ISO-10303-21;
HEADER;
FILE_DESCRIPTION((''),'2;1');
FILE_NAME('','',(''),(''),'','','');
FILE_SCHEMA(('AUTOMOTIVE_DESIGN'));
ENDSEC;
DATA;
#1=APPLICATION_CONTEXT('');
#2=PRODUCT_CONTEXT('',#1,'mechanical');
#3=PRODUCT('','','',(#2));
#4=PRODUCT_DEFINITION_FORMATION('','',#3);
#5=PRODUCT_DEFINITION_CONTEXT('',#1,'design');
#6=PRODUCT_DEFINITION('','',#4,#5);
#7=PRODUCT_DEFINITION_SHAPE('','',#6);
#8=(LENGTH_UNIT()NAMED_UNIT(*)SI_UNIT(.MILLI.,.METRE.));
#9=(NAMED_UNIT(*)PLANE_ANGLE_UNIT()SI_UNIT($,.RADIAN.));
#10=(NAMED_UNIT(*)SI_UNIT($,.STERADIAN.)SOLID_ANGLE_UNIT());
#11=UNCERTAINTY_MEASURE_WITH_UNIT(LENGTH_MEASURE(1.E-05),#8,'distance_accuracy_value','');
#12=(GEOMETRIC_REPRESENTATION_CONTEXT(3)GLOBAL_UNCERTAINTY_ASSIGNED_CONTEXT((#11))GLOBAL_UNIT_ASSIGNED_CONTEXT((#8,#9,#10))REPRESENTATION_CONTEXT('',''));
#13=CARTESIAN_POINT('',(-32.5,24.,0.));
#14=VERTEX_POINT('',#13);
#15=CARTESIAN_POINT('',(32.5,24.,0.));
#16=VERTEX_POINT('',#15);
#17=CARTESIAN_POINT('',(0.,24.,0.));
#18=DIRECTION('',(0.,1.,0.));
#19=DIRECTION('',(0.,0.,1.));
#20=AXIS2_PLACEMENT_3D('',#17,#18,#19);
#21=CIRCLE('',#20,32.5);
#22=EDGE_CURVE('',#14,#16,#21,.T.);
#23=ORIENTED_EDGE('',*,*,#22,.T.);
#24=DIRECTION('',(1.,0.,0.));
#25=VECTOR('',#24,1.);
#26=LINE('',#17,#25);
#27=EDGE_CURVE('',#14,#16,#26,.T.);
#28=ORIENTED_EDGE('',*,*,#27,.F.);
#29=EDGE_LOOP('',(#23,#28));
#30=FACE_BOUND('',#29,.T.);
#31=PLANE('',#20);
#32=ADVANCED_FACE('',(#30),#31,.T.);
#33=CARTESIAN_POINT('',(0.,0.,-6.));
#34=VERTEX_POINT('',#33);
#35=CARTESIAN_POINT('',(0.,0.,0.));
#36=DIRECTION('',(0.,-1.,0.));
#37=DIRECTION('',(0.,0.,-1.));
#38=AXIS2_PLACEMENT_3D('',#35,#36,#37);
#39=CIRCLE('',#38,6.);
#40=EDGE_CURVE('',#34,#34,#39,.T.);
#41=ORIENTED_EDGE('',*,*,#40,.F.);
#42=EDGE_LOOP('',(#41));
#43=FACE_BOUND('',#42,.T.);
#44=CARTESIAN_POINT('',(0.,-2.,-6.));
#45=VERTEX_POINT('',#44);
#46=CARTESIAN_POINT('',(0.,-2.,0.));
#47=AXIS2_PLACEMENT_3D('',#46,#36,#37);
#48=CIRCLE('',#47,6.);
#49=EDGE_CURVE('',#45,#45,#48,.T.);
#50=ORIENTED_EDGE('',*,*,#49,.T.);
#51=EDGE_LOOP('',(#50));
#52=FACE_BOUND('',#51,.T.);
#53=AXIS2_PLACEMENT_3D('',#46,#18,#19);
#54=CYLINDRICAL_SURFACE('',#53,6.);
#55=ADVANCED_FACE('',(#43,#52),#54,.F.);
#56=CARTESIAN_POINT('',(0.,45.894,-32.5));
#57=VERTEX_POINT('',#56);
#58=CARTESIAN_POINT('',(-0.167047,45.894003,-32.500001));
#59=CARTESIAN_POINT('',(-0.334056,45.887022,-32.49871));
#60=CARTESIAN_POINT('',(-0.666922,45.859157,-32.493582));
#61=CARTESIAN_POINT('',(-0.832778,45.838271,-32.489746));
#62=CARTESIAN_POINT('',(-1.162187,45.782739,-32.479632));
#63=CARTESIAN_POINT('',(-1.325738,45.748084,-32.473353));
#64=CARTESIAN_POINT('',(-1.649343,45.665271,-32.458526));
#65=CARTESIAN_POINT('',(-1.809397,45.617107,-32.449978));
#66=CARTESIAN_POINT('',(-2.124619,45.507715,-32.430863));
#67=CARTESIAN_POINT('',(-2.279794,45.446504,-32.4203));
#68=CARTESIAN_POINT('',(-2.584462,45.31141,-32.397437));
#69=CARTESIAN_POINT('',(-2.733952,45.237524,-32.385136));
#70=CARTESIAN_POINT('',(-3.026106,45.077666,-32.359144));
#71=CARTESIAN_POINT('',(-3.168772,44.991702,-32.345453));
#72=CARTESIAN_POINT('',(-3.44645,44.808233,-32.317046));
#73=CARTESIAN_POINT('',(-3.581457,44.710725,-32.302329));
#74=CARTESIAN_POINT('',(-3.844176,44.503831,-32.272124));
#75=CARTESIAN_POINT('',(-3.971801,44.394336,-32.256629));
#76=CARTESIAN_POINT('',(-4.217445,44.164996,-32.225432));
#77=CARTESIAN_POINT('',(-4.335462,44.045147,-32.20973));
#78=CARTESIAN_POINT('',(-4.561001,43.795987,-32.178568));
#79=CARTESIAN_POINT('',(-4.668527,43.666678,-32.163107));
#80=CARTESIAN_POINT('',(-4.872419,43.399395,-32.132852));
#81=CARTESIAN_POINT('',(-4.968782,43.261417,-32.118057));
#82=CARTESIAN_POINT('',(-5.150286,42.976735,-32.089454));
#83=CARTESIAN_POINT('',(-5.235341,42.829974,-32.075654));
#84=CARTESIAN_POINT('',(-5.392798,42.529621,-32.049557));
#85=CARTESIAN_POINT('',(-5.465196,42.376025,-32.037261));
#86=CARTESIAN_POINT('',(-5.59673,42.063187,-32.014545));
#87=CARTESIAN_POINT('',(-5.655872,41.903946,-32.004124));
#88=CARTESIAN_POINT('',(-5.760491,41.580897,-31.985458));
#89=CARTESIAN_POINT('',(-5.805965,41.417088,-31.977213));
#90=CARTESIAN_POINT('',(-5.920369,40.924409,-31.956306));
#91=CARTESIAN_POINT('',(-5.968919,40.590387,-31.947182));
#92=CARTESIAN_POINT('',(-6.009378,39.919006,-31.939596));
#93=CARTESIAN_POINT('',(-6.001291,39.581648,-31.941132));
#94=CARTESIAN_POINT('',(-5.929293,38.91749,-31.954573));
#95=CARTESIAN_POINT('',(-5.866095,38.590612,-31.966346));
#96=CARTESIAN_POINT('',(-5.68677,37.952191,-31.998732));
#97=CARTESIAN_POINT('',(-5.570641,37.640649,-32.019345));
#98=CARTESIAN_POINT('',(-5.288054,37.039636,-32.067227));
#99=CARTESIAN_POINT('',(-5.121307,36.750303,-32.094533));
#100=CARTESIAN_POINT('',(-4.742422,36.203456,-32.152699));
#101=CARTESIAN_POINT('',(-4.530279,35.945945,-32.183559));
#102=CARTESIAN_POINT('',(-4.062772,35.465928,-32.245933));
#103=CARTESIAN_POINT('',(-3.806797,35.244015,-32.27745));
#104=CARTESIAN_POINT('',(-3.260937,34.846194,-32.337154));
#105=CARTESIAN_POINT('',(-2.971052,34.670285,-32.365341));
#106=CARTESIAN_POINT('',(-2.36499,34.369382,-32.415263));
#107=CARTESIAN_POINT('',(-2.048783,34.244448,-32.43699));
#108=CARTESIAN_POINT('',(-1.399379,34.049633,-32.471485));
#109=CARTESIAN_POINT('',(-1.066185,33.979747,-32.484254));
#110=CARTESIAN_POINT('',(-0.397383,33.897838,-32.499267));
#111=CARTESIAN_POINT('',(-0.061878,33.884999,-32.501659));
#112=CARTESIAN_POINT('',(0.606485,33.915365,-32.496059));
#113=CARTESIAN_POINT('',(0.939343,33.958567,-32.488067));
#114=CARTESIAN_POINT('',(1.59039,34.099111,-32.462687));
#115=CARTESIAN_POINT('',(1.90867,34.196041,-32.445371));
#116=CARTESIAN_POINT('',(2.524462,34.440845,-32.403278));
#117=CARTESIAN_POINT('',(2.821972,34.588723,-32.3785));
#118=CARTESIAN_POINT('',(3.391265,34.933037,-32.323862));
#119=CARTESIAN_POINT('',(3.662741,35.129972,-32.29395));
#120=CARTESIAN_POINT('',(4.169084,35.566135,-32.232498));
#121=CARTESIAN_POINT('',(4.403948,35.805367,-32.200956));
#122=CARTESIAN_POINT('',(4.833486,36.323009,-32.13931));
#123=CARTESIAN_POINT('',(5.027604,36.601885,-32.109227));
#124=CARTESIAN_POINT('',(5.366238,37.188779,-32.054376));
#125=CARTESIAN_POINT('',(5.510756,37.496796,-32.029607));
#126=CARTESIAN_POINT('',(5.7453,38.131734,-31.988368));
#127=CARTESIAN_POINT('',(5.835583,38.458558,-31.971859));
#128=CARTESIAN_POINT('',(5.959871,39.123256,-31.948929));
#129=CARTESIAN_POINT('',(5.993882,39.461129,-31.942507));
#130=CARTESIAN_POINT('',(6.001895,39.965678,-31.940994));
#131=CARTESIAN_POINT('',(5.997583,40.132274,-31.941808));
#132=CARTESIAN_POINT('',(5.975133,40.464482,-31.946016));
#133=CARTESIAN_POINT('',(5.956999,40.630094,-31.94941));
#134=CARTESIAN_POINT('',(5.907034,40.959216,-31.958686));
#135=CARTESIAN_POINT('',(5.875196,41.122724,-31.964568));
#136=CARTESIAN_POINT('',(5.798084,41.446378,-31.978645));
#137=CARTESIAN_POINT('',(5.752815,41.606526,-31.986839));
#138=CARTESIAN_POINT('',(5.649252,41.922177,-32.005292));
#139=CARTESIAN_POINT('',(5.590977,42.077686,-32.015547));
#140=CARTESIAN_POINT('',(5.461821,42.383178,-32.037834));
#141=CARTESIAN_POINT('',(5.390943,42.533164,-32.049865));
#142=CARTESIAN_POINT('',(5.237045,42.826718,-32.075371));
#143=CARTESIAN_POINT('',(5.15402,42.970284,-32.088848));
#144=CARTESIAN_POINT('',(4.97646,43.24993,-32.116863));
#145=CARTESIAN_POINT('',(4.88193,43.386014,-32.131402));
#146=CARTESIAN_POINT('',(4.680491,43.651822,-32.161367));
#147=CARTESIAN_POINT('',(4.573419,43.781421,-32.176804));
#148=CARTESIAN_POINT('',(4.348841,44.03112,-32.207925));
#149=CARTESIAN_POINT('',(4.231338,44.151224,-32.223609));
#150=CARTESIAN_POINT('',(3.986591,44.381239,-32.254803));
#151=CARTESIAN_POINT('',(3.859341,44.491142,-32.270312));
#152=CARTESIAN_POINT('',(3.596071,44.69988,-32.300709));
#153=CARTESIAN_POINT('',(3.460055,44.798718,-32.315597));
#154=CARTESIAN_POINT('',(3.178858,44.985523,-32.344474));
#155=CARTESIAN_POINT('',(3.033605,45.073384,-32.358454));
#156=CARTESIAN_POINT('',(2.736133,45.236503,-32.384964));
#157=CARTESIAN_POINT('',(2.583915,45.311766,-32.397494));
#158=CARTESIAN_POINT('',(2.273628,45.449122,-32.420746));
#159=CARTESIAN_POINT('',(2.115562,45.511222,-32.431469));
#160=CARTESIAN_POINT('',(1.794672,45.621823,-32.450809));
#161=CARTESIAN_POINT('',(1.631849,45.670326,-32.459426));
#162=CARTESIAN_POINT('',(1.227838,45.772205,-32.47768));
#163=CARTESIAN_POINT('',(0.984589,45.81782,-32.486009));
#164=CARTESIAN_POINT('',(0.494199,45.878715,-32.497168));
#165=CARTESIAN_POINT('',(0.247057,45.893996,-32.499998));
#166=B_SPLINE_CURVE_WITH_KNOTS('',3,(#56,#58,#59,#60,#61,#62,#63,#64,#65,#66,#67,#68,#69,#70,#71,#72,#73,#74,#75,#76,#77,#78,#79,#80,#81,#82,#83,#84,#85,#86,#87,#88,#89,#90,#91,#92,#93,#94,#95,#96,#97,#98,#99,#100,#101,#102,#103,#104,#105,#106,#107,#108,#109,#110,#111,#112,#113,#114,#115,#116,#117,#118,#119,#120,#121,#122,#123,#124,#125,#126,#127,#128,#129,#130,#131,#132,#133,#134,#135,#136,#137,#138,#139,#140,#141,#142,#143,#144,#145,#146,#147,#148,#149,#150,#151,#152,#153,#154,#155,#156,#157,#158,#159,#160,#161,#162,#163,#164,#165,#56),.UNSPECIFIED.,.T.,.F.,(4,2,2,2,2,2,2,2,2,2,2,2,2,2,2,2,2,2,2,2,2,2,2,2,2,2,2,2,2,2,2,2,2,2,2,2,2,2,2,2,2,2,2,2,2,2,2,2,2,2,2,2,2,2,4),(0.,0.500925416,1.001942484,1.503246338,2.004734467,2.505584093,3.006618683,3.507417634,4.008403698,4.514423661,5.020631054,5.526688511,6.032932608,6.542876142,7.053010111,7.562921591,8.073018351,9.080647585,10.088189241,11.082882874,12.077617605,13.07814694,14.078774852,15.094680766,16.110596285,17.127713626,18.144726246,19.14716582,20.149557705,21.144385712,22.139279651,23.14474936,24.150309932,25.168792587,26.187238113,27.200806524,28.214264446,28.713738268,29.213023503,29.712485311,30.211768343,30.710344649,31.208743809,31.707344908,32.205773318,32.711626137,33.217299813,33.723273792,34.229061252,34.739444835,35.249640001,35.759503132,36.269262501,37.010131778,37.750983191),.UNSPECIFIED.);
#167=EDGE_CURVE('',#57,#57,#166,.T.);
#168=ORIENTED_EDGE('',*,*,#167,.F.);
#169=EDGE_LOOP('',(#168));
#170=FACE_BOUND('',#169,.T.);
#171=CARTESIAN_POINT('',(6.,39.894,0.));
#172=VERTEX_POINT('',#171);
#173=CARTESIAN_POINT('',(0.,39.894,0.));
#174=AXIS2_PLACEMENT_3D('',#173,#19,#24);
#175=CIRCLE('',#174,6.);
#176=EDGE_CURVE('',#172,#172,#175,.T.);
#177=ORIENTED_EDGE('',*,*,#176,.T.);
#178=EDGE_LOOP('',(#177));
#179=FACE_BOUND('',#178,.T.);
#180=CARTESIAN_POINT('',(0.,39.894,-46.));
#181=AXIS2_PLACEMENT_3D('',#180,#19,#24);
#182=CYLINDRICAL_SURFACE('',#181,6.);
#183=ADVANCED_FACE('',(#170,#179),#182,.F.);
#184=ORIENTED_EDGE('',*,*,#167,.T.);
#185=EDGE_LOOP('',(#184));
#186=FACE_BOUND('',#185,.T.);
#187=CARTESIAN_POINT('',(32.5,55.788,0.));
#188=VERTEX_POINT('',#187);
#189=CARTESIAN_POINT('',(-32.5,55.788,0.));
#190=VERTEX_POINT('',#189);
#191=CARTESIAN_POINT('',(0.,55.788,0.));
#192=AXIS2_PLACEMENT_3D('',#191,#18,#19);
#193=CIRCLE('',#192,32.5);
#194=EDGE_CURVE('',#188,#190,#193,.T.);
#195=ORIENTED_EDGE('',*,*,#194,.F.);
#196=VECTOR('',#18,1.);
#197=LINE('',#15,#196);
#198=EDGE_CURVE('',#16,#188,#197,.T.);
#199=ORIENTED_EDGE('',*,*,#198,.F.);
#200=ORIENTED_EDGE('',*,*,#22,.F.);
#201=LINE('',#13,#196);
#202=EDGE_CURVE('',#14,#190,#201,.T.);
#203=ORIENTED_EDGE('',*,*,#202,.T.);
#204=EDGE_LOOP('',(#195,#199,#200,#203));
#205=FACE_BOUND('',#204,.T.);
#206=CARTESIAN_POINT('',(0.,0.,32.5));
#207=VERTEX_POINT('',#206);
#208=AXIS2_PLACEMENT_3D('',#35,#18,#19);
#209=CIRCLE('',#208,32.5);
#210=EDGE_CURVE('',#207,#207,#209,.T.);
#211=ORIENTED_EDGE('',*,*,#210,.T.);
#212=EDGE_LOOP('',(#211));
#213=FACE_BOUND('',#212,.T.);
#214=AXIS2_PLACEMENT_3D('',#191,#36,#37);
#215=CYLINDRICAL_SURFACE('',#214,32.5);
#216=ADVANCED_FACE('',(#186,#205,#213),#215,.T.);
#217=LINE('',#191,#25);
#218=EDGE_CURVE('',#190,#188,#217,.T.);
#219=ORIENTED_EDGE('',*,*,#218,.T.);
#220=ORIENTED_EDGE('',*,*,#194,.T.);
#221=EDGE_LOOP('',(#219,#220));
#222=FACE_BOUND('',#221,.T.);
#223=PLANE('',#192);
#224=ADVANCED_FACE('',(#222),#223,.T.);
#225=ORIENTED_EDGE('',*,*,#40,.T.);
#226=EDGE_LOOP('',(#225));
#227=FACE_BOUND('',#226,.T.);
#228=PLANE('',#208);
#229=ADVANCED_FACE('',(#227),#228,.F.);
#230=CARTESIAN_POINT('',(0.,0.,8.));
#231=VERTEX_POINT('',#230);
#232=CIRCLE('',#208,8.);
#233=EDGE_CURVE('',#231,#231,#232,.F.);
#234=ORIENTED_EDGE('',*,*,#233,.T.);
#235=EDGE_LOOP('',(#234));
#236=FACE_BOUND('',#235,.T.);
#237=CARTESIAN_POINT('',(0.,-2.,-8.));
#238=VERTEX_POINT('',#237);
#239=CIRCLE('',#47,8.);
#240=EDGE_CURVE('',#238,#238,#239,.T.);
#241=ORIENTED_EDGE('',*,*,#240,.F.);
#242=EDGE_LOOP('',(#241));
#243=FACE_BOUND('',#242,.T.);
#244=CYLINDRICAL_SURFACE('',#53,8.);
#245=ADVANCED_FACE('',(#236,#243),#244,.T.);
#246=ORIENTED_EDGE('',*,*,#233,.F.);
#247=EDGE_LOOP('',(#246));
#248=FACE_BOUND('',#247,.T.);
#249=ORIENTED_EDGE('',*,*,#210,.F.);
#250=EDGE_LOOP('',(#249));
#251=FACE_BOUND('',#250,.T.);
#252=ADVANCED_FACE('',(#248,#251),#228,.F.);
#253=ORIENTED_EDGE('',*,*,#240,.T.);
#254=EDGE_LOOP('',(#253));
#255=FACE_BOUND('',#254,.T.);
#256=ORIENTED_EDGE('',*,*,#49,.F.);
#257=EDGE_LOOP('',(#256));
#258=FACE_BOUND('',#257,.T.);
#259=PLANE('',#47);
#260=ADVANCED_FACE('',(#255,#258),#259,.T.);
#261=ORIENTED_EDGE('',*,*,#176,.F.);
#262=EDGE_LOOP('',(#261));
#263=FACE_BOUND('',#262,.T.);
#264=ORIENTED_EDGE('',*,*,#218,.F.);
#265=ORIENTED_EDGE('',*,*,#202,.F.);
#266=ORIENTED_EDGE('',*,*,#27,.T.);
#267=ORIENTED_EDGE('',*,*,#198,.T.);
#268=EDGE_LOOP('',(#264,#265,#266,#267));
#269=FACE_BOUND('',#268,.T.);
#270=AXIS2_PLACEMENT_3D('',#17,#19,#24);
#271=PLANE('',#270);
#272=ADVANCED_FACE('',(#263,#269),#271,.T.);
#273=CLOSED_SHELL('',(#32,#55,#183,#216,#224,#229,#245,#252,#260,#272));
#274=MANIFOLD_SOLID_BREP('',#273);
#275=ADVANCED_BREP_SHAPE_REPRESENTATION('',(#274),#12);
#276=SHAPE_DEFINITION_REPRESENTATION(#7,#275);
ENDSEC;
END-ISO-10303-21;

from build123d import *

# Parameters (mm, degrees)
SKETCH1_R           = 32.5
BOSS_EXTRUDE1_DEPTH = 55.788
CUT_EXTRUDE1_DEPTH  = 31.788
SKETCH3_R           = 8
SKETCH3_R_2         = 6
BOSS_EXTRUDE2_DEPTH = 2
SKETCH5_R           = 6
CUT_EXTRUDE3_DEPTH  = 46


with BuildPart() as part:
    # Sketch1 → Boss-Extrude1 (new body)
    with BuildSketch(Plane(origin=(0, 0, 0), x_dir=(1, 0, 0), z_dir=(0, 1, 0))):
        with Locations(Location((0, 0, 0), (0, 0, 270))):
            Circle(SKETCH1_R)
    extrude(amount=BOSS_EXTRUDE1_DEPTH)

    # Sketch2 → Cut-Extrude1 (cut)
    with BuildSketch(Plane(origin=(0, 55.788, 0), x_dir=(1, 0, 0), z_dir=(0, 1, 0))):
        with BuildLine():
            Line((32.5, 0), (-32.5, 0))
            ThreePointArc((-32.5, 0), (0, -32.5), (32.5, 0))
        make_face()
    extrude(amount=-CUT_EXTRUDE1_DEPTH, mode=Mode.SUBTRACT)

    # Sketch3 → Boss-Extrude2 (add)
    with BuildSketch(Plane(origin=(0, 0, 0), x_dir=(-1, 0, 0), z_dir=(0, -1, 0))):
        with Locations(Location((0, 0, 0), (0, 0, 270))):
            Circle(SKETCH3_R)
        with Locations(Location((0, 0, 0), (0, 0, 90))):
            Circle(SKETCH3_R_2, mode=Mode.SUBTRACT)
    extrude(amount=BOSS_EXTRUDE2_DEPTH)

    # Sketch5 → Cut-Extrude3 (cut)
    with BuildSketch(Plane.XY):
        with Locations((0, 39.894)):
            Circle(SKETCH5_R)
    extrude(amount=-CUT_EXTRUDE3_DEPTH, mode=Mode.SUBTRACT)


solid = part.part
